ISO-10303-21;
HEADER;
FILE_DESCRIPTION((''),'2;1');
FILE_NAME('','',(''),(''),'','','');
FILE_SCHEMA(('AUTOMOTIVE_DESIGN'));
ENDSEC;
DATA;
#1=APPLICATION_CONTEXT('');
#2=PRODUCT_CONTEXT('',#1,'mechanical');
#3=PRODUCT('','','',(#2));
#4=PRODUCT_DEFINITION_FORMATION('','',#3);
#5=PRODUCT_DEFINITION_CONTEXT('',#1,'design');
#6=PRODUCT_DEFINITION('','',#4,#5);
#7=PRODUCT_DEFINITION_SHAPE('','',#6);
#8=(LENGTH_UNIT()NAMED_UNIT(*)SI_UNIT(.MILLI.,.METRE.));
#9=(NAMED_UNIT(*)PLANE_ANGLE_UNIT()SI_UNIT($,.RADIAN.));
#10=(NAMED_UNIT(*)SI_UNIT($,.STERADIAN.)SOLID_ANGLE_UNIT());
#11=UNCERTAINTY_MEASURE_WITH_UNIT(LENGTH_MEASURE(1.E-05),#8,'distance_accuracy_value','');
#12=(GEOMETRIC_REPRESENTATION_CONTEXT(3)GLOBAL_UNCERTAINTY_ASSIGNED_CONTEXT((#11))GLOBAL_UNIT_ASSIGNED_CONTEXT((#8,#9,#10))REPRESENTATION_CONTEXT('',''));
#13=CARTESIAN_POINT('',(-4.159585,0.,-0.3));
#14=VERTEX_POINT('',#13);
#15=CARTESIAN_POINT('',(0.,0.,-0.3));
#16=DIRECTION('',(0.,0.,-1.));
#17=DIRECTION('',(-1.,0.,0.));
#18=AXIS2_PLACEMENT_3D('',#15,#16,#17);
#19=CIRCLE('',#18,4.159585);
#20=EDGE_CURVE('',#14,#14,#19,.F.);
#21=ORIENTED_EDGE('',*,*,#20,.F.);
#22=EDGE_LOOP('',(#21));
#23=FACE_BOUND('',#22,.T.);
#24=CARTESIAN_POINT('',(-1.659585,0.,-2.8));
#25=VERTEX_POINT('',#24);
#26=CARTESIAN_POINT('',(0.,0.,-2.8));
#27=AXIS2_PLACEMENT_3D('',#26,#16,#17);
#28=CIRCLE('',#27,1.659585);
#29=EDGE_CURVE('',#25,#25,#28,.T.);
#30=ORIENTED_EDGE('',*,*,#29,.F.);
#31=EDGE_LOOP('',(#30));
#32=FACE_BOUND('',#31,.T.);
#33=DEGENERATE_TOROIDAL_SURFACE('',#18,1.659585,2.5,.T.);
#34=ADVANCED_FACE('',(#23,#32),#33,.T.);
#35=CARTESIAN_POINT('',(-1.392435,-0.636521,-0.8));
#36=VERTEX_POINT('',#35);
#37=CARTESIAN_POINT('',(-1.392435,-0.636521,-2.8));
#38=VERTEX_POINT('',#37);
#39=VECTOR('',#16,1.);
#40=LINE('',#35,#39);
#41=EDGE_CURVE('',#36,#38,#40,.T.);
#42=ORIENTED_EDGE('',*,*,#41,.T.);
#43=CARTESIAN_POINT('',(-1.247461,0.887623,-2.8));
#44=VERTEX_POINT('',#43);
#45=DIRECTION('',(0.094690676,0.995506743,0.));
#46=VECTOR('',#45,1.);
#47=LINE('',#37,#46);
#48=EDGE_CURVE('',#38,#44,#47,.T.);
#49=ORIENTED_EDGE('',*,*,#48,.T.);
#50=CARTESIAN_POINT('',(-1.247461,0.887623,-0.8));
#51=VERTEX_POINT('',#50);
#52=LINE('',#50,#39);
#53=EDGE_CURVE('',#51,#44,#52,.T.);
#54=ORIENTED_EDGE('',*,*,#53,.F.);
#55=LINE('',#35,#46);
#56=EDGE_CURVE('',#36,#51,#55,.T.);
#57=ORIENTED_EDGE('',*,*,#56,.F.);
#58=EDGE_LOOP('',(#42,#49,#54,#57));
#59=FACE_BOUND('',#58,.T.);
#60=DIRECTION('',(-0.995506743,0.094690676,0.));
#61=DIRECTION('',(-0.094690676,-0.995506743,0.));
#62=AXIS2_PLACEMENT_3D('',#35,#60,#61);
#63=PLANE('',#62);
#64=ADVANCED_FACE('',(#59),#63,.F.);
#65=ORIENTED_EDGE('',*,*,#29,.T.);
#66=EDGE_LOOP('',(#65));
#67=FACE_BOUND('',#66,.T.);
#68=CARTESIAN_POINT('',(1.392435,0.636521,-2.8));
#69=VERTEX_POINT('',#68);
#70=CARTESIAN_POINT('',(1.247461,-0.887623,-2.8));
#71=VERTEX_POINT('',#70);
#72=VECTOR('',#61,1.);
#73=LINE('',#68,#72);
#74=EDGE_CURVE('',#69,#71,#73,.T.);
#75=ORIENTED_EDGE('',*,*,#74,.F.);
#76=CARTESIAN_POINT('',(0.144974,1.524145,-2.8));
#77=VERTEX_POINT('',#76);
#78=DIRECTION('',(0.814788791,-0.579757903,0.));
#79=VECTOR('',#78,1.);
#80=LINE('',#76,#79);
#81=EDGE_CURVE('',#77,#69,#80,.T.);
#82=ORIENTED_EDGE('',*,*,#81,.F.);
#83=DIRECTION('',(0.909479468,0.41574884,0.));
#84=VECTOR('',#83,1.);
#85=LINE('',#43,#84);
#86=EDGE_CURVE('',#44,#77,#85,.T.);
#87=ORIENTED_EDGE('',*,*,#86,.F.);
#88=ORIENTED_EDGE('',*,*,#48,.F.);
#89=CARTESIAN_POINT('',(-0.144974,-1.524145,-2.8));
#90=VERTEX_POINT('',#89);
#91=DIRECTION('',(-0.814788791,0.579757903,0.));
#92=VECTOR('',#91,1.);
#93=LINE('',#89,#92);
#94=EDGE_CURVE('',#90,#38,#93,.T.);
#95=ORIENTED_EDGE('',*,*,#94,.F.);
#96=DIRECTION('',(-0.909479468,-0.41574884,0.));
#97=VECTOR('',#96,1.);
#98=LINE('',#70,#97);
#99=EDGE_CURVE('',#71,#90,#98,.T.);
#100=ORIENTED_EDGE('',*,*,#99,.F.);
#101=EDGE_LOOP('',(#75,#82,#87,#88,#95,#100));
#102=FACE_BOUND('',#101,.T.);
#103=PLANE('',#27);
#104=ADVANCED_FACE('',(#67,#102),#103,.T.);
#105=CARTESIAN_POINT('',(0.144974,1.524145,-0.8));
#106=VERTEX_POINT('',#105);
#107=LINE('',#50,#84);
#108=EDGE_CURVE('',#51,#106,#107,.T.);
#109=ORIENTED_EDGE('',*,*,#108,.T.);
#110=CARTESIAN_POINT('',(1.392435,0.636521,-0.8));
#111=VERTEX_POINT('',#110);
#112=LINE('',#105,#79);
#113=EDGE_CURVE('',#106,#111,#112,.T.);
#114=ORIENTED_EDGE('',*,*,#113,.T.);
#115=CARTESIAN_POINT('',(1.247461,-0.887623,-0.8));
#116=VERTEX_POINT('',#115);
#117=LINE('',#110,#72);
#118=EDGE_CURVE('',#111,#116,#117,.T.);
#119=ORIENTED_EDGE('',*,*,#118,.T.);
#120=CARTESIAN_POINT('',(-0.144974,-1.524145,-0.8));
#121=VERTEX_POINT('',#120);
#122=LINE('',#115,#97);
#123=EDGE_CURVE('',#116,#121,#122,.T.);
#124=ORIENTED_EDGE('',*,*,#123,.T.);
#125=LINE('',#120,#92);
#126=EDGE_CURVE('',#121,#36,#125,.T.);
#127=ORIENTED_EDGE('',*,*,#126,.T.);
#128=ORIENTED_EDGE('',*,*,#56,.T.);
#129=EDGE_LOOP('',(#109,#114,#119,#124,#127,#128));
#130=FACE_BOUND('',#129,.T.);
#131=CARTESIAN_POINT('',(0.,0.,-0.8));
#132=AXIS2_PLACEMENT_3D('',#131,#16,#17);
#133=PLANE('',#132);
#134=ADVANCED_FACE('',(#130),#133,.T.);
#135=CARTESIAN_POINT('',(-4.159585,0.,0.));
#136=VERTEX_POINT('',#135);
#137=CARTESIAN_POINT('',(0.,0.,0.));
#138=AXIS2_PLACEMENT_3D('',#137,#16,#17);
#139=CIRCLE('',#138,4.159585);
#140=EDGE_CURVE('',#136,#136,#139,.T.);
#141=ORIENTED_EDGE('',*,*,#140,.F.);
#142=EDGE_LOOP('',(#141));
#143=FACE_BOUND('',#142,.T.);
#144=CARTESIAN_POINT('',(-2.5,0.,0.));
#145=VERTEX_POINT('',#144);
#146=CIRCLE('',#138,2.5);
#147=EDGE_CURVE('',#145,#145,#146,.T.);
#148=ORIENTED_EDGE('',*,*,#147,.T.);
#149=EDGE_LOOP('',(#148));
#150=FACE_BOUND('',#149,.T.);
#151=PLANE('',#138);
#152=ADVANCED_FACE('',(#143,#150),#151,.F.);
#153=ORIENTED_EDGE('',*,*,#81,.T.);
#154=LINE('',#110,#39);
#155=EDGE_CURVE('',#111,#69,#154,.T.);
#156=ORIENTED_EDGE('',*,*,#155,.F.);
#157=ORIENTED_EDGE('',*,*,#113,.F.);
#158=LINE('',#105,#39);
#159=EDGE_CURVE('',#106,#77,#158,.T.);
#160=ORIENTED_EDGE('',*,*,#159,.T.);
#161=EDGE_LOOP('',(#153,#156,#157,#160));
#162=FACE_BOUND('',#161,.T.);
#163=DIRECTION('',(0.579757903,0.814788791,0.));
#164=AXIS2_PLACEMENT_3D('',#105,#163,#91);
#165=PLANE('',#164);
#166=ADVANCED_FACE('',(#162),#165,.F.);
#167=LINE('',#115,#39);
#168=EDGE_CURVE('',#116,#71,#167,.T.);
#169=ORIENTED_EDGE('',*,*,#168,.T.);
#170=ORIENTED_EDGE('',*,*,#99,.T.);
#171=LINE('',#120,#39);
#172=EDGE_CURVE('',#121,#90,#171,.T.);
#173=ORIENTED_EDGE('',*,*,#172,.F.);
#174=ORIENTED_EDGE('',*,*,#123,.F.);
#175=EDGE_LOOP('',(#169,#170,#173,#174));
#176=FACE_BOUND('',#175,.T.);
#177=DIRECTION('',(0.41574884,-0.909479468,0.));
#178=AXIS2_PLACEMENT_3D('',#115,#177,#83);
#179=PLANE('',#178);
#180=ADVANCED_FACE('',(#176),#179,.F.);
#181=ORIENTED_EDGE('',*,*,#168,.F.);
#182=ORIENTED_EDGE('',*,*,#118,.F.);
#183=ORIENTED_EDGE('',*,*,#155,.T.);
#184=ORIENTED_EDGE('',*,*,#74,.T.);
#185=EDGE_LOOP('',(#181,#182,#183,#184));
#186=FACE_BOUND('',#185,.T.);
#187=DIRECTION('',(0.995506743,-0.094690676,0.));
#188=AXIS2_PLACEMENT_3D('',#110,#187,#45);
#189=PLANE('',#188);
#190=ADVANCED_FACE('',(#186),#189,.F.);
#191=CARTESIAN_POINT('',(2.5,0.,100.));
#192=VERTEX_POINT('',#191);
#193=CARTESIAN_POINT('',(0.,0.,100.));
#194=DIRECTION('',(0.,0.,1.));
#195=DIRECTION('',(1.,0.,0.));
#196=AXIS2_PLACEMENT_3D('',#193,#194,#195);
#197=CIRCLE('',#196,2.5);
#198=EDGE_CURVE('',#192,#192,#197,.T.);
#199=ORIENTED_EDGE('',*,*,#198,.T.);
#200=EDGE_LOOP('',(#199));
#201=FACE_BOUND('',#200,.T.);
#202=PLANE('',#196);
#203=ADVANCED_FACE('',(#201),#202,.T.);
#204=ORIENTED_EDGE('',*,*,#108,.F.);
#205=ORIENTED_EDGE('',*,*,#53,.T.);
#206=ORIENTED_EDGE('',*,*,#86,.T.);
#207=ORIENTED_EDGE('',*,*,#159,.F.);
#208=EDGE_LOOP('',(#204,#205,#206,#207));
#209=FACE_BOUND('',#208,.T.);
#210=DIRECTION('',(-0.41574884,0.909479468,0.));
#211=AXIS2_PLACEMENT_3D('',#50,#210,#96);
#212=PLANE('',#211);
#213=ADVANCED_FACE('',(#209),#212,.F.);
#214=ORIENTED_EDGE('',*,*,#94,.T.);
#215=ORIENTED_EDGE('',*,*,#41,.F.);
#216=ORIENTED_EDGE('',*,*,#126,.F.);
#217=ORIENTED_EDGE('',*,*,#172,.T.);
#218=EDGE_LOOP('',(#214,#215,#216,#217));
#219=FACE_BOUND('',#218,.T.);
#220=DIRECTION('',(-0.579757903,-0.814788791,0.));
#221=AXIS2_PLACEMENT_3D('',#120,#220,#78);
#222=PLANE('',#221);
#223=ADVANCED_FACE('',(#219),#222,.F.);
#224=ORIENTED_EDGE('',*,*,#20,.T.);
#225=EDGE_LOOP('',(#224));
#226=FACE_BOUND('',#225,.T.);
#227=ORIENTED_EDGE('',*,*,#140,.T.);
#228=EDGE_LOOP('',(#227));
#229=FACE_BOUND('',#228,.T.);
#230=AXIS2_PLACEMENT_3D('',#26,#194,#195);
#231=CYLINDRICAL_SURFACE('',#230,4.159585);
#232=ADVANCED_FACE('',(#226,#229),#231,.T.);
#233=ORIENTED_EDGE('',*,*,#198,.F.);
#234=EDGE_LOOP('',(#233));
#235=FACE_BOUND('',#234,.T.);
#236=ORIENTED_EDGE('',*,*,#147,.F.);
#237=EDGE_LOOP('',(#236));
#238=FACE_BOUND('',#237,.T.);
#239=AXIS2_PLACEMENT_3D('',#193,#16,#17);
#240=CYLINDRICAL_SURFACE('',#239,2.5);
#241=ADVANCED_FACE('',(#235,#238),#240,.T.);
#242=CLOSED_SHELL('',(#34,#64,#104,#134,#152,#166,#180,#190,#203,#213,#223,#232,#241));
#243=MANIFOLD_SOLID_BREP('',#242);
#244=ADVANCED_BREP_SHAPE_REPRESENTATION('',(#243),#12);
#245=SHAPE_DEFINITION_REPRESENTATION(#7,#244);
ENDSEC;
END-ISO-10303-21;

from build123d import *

# Parameters (mm, degrees)
SKETCH1_R           = 2.5
BOSS_EXTRUDE1_DEPTH = 100
SKETCH2_R           = 4.159584877
BOSS_EXTRUDE2_DEPTH = 2.8
FILLET1_R           = 2.5
CUT_EXTRUDE1_DEPTH  = 2


with BuildPart() as part:
    # Sketch1 → Boss-Extrude1 (new body)
    with BuildSketch(Plane.XY):
        Circle(SKETCH1_R)
    extrude(amount=BOSS_EXTRUDE1_DEPTH)

    # Sketch2 → Boss-Extrude2 (add)
    with BuildSketch(Plane(origin=(0, 0, 0), x_dir=(-1, 0, 0), z_dir=(0, 0, -1))):
        Circle(SKETCH2_R)
    extrude(amount=BOSS_EXTRUDE2_DEPTH)

    # Fillet1
    fillet1_edges = [part.edges().sort_by_distance(p)[0] for p in [
        (4.159584877, 0, -2.8),
    ]]
    fillet(fillet1_edges, radius=FILLET1_R)

    # Sketch3 → Cut-Extrude1 (cut)
    with BuildSketch(Plane(origin=(0, 0, -2.8), x_dir=(-1, 0, 0), z_dir=(0, 0, -1))):
        Polygon((1.392434699, -0.636521364), (1.247461021, 0.88762314), (-0.144973678, 1.524144504), (-1.392434699, 0.636521364), (-1.247461021, -0.88762314), (0.144973678, -1.524144504), align=None)
    extrude(amount=-CUT_EXTRUDE1_DEPTH, mode=Mode.SUBTRACT)


solid = part.part
